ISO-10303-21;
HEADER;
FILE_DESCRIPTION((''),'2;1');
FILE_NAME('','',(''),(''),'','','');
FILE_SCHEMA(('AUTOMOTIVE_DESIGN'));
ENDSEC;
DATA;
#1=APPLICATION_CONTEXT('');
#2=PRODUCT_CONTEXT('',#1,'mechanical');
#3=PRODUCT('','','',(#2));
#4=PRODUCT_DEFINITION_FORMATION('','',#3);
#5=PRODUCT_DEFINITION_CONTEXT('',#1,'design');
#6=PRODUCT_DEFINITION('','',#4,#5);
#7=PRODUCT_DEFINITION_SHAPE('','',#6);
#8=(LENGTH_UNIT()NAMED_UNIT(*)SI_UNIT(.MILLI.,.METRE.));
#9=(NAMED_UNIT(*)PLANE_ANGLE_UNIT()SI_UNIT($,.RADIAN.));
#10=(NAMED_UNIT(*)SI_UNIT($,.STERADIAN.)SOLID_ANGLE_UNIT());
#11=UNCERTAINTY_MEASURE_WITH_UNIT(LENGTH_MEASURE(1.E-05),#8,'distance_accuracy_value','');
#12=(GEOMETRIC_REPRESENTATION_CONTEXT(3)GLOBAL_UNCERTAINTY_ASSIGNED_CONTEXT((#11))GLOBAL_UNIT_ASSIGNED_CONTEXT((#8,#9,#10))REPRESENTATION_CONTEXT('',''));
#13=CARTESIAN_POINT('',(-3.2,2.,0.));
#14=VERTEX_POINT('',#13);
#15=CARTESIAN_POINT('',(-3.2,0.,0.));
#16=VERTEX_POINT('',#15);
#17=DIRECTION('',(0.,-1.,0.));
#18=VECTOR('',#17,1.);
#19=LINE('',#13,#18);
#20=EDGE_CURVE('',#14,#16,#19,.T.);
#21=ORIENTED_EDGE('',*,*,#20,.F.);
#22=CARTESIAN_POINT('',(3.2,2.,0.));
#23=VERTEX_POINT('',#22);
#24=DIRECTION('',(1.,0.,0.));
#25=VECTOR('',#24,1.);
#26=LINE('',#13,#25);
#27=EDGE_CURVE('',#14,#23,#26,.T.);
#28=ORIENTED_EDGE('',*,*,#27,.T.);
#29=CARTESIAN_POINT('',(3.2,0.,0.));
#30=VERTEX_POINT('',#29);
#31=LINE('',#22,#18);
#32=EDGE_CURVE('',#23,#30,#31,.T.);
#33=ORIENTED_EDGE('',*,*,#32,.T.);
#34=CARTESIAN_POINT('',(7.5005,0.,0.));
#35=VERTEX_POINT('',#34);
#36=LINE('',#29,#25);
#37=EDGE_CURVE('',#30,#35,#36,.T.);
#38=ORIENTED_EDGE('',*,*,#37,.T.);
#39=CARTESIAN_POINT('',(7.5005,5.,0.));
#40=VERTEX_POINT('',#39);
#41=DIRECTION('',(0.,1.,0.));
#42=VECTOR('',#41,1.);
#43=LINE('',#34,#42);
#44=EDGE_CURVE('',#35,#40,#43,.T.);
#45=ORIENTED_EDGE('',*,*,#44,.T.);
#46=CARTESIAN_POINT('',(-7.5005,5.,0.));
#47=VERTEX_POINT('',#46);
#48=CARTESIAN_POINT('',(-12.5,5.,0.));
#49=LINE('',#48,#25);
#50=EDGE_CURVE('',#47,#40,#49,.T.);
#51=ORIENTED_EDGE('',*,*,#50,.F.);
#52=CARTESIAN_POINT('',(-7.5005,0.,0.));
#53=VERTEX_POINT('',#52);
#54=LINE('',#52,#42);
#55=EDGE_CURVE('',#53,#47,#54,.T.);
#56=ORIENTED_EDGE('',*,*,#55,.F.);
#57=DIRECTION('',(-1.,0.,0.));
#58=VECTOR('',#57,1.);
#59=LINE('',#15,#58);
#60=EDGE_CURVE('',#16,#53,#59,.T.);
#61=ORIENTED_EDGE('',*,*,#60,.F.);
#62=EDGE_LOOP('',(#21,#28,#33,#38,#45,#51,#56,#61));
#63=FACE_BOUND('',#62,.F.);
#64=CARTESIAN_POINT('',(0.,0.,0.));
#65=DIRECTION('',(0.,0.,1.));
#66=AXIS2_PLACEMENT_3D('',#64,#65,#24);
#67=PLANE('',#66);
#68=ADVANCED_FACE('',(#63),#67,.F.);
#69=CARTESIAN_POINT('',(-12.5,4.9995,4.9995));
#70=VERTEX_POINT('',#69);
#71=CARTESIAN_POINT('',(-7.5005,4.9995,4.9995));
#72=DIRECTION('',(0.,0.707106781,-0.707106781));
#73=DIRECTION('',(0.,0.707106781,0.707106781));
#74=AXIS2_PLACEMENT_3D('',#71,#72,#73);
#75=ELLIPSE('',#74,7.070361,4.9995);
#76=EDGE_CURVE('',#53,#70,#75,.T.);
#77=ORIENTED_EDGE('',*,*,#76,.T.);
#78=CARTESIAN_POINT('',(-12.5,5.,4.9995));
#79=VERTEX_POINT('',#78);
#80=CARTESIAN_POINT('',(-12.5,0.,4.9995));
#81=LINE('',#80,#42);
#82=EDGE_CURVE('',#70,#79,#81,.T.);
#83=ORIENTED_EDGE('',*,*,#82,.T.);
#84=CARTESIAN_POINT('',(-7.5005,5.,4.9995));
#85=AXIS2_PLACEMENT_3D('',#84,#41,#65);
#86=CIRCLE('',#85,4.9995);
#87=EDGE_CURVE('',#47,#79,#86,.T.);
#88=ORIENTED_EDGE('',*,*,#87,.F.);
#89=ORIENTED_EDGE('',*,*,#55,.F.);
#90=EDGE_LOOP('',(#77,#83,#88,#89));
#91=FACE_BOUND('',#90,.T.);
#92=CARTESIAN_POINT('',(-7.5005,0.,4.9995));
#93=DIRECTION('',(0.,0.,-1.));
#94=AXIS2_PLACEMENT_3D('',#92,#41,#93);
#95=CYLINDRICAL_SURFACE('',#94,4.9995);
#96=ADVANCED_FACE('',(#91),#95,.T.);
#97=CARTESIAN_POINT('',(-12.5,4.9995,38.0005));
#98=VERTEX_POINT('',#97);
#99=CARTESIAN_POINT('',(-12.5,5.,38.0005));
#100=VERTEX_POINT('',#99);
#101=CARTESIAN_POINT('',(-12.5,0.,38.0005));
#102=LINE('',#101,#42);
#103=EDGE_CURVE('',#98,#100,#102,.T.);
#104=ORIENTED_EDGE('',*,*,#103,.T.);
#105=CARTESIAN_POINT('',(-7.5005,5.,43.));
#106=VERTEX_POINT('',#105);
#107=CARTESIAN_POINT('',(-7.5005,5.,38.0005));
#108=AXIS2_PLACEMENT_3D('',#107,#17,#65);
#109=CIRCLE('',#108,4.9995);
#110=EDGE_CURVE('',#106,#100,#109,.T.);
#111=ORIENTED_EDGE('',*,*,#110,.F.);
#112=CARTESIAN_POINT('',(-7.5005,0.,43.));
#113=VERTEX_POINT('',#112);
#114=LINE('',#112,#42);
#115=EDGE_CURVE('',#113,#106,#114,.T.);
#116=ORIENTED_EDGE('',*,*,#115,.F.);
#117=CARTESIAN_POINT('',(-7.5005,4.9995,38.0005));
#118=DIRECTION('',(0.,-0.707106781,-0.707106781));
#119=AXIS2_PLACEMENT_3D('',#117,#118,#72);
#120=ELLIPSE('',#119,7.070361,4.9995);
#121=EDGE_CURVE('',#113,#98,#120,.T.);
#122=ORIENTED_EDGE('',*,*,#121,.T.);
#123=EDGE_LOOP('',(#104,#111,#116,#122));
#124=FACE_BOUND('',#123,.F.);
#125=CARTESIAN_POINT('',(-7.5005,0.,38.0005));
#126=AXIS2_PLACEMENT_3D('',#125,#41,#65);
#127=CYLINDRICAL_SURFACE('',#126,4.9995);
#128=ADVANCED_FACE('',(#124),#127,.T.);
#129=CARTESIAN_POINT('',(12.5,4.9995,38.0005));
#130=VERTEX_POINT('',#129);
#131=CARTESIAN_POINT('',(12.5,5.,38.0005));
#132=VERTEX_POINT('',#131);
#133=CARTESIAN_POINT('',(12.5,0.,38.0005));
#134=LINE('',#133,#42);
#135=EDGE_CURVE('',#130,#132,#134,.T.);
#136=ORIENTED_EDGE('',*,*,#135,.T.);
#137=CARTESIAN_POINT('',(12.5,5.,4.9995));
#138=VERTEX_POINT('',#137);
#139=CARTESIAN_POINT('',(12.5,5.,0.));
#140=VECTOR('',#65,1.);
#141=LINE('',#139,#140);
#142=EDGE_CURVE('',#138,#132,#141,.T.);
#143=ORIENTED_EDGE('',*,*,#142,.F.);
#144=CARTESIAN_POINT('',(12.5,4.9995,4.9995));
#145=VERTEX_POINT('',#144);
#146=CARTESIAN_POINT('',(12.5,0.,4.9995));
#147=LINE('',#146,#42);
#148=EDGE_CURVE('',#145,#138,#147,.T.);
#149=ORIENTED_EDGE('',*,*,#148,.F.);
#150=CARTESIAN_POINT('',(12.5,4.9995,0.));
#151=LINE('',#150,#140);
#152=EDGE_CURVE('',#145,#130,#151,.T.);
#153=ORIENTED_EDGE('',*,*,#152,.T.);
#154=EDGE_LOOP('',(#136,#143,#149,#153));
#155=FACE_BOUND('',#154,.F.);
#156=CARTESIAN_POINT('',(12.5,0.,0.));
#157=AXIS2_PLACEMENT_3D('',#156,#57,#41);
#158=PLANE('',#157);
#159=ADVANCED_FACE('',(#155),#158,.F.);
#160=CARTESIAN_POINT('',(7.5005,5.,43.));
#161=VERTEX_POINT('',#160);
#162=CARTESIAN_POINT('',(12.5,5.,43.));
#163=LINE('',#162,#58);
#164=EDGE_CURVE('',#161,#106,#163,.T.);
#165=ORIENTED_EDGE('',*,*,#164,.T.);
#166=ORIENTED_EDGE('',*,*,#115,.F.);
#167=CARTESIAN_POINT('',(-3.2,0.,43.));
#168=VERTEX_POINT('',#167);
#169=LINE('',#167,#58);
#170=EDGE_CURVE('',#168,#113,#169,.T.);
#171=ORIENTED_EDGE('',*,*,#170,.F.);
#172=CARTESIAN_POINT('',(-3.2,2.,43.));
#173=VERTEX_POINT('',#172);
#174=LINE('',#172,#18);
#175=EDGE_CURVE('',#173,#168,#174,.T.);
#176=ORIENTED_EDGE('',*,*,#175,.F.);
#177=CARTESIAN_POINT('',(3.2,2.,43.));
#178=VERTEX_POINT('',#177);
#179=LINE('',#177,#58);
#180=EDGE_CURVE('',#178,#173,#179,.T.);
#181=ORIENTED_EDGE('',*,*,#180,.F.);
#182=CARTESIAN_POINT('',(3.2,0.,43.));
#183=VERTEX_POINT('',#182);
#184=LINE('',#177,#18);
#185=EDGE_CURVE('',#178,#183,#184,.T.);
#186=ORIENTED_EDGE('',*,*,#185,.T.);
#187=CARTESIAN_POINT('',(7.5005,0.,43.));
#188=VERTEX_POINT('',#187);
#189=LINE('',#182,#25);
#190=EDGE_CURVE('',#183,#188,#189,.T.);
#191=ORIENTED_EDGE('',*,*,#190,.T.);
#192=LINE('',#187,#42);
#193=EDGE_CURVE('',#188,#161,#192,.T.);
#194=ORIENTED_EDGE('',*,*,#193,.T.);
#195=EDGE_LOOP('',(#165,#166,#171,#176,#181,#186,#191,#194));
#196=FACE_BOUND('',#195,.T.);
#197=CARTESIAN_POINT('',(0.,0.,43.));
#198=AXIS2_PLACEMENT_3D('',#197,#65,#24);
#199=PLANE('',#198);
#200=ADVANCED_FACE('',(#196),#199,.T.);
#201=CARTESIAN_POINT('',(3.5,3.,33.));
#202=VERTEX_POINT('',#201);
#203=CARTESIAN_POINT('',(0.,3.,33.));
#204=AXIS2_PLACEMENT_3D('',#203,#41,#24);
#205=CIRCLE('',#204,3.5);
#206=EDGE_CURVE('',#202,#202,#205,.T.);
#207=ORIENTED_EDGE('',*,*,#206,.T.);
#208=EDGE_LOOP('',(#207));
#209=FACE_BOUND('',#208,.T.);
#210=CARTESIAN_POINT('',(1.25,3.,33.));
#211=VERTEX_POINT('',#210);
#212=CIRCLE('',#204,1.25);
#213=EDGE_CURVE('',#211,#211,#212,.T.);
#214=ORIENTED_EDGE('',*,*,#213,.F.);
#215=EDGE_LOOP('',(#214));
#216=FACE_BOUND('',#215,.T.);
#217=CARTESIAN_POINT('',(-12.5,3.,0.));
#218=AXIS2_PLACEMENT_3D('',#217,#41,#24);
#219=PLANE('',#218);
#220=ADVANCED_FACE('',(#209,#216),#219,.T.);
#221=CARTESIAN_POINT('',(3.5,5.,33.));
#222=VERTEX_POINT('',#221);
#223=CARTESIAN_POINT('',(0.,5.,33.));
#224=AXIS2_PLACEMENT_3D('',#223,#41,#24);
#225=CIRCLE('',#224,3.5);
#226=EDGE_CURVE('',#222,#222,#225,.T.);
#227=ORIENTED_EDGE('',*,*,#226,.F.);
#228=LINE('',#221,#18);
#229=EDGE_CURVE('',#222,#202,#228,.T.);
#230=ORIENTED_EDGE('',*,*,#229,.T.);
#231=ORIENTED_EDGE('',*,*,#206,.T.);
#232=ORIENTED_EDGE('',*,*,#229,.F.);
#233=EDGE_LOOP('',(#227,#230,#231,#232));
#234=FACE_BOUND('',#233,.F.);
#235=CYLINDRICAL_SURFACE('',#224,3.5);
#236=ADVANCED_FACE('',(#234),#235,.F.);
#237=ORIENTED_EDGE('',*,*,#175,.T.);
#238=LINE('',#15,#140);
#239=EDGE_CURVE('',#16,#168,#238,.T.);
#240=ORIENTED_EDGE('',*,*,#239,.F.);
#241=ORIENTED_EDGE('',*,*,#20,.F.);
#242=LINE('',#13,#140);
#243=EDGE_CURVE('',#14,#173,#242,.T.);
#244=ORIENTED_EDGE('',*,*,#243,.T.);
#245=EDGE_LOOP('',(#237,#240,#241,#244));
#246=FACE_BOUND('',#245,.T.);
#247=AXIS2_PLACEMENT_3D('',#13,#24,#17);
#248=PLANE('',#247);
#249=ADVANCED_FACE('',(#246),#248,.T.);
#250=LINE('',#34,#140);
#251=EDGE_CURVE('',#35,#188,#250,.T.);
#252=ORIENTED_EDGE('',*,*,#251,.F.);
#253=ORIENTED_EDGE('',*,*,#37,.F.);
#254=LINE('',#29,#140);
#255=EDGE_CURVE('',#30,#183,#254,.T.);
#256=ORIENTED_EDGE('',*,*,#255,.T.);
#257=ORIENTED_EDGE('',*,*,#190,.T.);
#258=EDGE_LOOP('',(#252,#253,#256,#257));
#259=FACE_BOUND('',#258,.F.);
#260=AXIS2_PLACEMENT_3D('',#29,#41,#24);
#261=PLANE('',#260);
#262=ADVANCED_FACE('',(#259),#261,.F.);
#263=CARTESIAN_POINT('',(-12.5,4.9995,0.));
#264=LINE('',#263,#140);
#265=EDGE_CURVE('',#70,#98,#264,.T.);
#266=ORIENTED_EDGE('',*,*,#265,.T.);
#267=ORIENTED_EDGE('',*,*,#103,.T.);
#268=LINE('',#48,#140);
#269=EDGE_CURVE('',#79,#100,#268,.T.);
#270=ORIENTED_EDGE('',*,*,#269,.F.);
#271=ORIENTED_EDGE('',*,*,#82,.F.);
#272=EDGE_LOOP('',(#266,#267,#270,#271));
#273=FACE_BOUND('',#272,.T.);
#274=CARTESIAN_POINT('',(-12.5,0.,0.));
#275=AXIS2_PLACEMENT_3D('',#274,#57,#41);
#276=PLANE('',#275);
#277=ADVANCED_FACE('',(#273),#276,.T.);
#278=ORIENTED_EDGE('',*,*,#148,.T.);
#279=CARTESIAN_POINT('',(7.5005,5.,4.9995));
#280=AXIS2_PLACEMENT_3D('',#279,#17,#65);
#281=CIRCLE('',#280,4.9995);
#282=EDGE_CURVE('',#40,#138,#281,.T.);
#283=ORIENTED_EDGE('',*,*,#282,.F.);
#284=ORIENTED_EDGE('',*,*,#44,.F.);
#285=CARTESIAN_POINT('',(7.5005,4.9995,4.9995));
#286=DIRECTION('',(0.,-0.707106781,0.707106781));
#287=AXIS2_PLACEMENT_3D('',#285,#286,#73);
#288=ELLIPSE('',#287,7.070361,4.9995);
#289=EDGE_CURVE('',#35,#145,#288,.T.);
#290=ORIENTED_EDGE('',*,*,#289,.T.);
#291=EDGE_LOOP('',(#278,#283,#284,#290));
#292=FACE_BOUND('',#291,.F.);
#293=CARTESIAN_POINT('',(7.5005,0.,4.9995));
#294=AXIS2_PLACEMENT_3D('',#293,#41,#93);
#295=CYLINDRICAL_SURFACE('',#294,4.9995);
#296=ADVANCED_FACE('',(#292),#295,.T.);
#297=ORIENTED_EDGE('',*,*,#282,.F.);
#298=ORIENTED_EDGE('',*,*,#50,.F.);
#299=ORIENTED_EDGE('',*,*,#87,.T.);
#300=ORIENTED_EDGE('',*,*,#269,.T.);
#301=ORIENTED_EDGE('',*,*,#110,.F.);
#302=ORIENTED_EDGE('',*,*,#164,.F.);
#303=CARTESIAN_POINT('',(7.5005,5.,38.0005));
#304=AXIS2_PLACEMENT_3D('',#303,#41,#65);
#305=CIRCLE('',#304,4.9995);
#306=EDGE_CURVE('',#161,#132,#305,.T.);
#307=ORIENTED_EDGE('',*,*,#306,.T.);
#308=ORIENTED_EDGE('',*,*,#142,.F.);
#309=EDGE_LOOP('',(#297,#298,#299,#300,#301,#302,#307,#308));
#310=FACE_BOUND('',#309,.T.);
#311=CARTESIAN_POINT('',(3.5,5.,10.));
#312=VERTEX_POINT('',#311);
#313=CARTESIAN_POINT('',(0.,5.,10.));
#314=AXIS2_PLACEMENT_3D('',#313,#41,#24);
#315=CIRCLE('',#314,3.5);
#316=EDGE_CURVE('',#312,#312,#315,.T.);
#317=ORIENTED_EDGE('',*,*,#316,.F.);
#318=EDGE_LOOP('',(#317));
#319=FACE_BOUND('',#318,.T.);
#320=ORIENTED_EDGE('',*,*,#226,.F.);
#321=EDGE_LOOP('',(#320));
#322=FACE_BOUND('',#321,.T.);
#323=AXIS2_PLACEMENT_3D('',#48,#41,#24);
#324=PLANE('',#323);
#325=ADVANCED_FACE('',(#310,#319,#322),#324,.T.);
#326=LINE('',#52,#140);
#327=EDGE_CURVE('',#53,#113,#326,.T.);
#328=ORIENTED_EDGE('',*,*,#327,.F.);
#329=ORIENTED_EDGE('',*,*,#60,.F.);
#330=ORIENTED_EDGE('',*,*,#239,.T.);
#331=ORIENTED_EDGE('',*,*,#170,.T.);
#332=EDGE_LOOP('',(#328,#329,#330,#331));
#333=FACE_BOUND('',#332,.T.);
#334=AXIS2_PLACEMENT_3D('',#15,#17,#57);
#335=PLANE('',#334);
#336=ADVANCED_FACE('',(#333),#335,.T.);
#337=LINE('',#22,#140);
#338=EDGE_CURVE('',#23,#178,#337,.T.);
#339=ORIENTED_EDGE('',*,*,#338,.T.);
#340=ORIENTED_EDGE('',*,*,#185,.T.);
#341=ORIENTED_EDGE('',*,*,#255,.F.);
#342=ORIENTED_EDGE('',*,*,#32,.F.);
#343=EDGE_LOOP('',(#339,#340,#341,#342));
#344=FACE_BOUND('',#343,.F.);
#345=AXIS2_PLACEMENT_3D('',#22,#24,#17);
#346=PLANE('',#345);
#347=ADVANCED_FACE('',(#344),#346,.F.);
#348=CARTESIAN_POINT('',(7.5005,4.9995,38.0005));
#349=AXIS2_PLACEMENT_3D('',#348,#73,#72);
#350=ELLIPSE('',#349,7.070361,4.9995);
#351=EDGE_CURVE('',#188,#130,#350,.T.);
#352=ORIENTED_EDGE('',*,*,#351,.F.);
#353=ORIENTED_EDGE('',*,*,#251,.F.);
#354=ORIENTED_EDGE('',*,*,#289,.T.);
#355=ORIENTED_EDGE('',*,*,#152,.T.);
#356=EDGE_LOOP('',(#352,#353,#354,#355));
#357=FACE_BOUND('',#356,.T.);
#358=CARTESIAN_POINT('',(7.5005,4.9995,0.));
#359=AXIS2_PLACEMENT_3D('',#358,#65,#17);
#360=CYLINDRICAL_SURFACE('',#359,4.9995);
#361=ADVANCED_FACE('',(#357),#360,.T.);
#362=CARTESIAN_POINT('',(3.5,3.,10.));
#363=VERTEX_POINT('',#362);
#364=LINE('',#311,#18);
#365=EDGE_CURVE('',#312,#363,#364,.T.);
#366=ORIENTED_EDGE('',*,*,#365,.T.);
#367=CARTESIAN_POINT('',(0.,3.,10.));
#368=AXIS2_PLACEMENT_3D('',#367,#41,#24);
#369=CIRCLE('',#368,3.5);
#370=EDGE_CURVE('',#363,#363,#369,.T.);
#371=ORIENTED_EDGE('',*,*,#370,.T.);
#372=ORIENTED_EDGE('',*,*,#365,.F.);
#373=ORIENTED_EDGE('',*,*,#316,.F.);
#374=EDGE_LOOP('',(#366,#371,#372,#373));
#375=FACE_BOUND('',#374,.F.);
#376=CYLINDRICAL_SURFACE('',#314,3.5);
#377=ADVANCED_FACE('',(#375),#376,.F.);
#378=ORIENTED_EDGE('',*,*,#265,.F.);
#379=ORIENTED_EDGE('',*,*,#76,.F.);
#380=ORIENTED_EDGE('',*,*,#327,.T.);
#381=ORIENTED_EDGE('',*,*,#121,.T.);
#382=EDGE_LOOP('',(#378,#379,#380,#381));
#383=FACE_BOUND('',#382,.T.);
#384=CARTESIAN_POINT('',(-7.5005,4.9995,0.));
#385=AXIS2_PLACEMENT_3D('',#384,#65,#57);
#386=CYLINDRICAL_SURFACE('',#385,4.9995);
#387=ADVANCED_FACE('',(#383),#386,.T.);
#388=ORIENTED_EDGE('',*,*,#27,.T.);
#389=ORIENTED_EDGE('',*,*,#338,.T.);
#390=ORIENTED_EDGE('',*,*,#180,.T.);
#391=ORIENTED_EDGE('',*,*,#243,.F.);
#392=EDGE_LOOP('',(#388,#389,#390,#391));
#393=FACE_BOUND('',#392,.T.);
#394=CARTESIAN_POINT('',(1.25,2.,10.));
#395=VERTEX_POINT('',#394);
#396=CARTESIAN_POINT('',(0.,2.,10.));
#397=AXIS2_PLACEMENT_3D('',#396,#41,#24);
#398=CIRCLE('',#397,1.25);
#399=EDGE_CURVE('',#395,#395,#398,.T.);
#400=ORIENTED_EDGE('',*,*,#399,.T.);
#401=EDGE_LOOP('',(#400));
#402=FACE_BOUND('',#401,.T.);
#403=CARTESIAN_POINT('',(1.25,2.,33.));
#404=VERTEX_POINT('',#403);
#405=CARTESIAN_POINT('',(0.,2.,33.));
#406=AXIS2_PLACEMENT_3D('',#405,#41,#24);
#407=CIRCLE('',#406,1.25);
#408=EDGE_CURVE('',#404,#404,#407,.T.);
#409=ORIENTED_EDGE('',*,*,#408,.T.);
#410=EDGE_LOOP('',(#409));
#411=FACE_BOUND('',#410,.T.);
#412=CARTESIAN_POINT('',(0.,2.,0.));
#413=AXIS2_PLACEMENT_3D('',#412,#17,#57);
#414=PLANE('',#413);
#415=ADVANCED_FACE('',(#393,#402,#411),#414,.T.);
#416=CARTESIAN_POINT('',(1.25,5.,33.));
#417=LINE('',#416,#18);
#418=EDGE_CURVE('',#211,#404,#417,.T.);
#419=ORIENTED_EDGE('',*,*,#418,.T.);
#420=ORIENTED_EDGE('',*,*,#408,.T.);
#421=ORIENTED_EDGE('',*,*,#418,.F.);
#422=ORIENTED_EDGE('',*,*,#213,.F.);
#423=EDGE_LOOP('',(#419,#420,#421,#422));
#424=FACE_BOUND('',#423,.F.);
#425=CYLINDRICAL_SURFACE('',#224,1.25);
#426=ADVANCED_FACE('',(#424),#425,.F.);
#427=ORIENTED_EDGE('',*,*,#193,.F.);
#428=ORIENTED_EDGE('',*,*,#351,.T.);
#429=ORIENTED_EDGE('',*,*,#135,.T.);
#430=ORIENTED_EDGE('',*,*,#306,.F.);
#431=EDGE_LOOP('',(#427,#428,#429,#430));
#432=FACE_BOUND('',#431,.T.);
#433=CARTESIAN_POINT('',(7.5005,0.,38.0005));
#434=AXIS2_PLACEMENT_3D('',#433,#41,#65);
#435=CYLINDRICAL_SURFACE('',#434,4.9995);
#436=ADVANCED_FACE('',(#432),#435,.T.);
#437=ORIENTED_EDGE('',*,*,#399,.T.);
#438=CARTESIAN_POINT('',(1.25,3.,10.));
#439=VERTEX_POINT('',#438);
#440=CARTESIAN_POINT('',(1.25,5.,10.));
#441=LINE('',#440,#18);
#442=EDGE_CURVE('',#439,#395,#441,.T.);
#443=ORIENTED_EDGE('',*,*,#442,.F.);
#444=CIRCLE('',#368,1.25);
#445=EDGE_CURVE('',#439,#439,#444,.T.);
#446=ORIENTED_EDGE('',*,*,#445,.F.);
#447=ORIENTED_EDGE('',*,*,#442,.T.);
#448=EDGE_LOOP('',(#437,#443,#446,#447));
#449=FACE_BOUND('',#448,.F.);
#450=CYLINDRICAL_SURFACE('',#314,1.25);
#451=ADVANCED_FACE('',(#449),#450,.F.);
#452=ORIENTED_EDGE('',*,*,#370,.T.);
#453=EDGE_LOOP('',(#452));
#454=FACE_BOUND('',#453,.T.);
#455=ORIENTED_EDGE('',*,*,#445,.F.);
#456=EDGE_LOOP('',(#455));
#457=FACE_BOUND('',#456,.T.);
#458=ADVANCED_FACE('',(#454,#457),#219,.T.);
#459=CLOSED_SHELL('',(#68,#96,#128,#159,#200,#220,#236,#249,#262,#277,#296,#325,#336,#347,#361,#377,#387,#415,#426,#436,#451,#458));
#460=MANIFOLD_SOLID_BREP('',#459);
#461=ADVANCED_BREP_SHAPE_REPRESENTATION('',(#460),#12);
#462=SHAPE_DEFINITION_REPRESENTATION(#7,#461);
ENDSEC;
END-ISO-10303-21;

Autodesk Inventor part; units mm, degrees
ref_plane "YZ Plane" through (0, 0, 0) normal (1, 0, 0) x (0, 1, 0)
ref_plane "XZ Plane" through (0, 0, 0) normal (0, 1, 0) x (-1, 0, 0)
ref_plane "XY Plane" through (0, 0, 0) normal (0, 0, 1) x (1, 0, 0)
sketch "Sketch1" plane through (0, 0, 0) normal (0, 0, 1) x (1, 0, 0)
  line L0 (0, 2) -> (3.2, 2)
  line L1 (3.2, 2) -> (3.2, 0)
  line L2 (3.2, 0) -> (12.5, 0)
  line L3 (12.5, 0) -> (12.5, 5)
  line L4 (12.5, 5) -> (0, 5)
  line L5 (0, 0) -> (0, 5) construction
  line L6 (0, 2) -> (-3.2, 2)
  line L7 (-3.2, 2) -> (-3.2, 0)
  line L8 (-3.2, 0) -> (-12.5, 0)
  line L9 (-12.5, 0) -> (-12.5, 5)
  line L10 (-12.5, 5) -> (0, 5)
  dimension "d0" = 3.2
  dimension "d1" = 2
  dimension "d2" = 9.3
  dimension "d3" = 5
extrude "Extrusion1" add sketch "Sketch1" along normal blind 43
sketch "Sketch2" plane through (-12.5, 5, 0) normal (0, 1, 0) x (1, 0, 0)
  circle A0 centre (12.5, -33) radius 1.25
  circle A1 centre (12.5, -10) radius 1.25
  line L0 (25, 0) -> (0, 0) projected
  line L1 (25, -43) -> (0, -43) projected
  point P0 (12.5, 0)
  dimension "d6" = 2.5
  dimension "d7" = 2.5
  dimension "d8" = 10
  dimension "d9" = 10
extrude "Extrusion2" cut sketch "Sketch2" against normal up to surface (3 mm away)
sketch "Sketch3" plane through (-12.5, 5, 0) normal (0, 1, 0) x (1, 0, 0)
  circle A0 centre (12.5, -33) radius 1.25 projected
  circle A1 centre (12.5, -33) radius 3.5
  circle A2 centre (12.5, -10) radius 1.25 projected
  circle A3 centre (12.5, -10) radius 3.5
  point P0 (12.5, 0)
  dimension "d12" = 7
  dimension "d13" = 7
extrude "Extrusion3" cut sketch "Sketch3" against normal blind 2
fillet "Fillet1" radius 5 6 edges at (-12.5, 2.5, 0) (12.5, 2.5, 0) (12.5, 2.5, 43) (-12.5, 2.5, 43) (12.5, 0, 21.5) (-12.5, 0, 21.5)
properties part number "Gripper 5-4"
